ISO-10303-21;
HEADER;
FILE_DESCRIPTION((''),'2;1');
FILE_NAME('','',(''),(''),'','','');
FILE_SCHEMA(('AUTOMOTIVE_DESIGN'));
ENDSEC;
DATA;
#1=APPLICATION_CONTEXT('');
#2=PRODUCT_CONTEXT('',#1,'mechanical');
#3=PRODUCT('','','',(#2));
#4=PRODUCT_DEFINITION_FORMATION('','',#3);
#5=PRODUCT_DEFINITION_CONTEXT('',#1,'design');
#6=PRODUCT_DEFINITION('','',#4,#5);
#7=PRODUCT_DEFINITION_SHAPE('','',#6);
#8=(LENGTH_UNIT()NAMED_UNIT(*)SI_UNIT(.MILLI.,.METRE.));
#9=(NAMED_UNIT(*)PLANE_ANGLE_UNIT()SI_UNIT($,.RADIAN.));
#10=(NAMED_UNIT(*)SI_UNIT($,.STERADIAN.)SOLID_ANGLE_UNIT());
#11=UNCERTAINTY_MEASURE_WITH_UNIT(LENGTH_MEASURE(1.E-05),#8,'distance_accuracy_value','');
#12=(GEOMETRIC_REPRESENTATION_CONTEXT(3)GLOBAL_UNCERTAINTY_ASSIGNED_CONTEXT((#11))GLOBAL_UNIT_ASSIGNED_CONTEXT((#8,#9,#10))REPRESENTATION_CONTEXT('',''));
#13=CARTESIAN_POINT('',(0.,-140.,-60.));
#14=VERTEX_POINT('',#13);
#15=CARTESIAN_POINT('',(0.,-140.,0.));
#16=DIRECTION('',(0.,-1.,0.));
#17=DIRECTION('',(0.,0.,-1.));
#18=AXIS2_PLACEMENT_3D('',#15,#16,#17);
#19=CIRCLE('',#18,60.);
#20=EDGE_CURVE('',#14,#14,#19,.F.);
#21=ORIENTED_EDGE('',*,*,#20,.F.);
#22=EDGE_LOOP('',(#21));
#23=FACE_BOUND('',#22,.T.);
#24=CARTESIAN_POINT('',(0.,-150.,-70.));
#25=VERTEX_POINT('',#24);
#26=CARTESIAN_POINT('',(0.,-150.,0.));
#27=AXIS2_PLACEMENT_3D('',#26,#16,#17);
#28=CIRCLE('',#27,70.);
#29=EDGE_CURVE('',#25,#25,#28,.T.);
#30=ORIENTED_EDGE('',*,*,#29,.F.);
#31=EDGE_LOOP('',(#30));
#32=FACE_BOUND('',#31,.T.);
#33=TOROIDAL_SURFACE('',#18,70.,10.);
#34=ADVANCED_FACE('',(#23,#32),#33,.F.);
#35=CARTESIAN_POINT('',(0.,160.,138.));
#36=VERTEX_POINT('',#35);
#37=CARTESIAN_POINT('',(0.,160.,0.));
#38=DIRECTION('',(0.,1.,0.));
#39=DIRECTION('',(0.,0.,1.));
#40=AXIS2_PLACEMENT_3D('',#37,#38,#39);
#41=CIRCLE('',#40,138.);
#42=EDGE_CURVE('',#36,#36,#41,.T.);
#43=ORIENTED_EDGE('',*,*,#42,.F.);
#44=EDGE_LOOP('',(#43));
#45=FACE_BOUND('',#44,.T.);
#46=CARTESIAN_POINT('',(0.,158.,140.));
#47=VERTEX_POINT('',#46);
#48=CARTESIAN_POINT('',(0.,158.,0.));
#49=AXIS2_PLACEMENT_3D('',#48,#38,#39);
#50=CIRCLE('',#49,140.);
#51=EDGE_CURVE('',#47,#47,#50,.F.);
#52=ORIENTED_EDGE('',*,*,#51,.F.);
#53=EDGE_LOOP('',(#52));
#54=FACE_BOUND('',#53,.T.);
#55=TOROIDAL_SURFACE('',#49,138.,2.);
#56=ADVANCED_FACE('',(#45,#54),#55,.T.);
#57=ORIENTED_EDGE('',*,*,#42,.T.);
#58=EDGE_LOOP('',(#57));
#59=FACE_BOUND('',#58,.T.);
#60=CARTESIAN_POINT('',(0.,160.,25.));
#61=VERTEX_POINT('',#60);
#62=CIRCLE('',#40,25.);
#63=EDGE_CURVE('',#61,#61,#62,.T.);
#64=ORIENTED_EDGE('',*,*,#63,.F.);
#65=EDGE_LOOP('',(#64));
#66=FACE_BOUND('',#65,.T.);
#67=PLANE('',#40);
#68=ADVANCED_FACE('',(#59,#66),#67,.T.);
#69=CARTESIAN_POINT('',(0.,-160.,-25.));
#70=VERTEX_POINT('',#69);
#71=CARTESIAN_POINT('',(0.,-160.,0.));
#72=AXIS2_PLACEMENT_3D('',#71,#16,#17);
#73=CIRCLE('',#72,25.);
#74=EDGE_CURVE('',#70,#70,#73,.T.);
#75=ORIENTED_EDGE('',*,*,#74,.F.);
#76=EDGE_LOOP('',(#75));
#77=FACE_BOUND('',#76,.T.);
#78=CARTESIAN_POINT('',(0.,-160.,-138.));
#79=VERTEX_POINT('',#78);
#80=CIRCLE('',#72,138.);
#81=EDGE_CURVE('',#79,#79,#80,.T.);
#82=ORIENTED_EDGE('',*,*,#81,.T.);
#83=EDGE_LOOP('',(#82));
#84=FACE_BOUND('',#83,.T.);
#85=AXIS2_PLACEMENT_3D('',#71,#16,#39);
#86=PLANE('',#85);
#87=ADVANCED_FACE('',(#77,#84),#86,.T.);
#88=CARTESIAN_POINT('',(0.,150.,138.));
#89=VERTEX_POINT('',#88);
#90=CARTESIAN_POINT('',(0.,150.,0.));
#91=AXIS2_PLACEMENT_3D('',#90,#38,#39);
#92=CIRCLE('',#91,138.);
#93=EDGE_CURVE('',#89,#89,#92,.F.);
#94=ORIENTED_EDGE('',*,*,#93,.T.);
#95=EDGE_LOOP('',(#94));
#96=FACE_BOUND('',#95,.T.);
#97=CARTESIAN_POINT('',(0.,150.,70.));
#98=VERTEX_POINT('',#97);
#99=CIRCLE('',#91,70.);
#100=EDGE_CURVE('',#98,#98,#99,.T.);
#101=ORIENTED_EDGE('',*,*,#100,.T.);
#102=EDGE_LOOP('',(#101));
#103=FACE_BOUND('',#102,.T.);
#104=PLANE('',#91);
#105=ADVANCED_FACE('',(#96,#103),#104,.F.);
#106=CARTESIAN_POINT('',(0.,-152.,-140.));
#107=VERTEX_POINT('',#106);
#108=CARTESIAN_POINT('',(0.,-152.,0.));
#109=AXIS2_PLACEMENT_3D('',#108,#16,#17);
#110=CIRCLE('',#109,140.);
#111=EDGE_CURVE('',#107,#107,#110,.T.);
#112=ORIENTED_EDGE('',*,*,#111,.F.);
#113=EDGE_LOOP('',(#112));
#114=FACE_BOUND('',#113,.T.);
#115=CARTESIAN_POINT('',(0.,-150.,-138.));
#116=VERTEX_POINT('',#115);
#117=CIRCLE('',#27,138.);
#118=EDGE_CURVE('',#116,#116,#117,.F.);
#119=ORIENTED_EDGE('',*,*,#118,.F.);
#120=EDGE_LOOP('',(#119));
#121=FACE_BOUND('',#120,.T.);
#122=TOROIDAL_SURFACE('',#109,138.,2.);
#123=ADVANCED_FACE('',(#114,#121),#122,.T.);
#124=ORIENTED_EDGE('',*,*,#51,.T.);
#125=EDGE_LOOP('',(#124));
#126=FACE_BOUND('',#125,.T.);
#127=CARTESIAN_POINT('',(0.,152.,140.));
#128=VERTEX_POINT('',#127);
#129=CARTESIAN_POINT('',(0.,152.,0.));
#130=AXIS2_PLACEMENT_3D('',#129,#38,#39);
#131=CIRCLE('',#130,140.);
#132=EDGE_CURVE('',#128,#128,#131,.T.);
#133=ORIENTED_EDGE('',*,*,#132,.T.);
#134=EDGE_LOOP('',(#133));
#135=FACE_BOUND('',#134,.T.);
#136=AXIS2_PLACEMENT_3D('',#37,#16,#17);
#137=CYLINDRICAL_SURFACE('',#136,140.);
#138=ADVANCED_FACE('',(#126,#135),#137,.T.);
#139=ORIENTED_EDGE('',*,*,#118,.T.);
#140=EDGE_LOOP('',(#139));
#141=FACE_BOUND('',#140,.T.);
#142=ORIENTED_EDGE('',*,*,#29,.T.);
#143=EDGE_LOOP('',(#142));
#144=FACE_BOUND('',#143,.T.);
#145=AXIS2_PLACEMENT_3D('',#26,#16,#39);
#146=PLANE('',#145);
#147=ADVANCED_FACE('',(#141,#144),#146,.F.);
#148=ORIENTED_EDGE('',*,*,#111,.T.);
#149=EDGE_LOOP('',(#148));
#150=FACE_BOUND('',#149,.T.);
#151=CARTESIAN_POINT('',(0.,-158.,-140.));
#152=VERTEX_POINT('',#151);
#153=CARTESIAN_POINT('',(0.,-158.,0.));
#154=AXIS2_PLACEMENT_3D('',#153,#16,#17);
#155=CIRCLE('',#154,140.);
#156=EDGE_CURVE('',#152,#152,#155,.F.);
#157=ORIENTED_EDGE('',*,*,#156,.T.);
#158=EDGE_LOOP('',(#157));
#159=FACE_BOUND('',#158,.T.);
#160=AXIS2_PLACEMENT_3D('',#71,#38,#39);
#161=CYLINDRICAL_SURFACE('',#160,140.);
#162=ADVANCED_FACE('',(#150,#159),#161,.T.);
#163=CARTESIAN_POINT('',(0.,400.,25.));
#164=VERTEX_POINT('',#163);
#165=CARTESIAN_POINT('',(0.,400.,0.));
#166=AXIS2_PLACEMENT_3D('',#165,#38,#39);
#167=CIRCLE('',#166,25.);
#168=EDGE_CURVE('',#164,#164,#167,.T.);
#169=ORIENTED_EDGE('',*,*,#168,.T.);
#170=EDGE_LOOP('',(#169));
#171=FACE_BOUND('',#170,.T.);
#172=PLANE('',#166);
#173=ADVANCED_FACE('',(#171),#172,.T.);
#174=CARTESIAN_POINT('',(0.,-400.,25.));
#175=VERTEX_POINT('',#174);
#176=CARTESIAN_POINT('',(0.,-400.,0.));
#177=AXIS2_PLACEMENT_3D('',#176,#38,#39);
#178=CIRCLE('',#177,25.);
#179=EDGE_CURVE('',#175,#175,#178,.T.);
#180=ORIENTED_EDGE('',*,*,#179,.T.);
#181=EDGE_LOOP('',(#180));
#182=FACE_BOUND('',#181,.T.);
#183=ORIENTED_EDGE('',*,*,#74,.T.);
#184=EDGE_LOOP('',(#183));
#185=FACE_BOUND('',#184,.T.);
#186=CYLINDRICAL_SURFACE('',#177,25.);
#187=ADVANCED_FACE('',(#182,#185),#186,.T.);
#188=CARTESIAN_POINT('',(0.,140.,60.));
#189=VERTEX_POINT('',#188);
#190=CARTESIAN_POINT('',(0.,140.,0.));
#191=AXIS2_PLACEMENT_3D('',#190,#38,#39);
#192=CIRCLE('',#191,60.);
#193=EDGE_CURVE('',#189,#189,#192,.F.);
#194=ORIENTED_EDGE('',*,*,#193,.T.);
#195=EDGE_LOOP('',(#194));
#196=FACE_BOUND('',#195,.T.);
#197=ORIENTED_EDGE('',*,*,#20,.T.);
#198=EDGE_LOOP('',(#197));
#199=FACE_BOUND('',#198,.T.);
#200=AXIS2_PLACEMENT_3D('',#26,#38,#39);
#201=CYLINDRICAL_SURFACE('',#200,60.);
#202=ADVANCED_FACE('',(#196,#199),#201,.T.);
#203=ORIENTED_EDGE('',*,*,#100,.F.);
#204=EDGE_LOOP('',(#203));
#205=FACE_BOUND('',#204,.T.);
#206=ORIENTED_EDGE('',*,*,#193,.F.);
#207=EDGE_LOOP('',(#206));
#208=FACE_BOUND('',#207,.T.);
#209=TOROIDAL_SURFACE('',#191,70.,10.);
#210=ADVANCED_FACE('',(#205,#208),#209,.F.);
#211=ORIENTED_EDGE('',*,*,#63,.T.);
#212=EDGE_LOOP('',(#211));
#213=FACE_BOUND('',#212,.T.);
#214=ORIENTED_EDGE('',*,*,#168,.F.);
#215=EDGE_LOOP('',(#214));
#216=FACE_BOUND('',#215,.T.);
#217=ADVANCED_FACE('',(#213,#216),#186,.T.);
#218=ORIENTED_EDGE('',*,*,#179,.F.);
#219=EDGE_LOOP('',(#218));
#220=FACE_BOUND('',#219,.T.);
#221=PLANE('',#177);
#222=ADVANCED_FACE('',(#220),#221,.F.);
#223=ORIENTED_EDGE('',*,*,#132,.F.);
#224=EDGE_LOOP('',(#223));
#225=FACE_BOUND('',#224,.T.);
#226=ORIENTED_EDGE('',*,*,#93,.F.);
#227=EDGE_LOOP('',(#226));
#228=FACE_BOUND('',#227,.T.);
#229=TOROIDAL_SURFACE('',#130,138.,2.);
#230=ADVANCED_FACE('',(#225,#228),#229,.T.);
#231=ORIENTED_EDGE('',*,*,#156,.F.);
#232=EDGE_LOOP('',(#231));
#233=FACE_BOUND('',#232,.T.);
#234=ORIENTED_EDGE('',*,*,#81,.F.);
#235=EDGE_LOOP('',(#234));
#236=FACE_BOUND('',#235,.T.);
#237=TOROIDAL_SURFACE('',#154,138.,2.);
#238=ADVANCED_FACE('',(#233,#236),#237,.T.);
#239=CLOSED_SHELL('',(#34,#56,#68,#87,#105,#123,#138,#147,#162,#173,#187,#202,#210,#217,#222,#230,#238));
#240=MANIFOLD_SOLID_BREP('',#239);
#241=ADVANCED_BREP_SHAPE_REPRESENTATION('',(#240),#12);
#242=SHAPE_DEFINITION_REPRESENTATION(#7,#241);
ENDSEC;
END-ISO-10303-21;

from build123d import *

# Parameters (mm, degrees)
BOSS_EXTRUDE1_DEPTH      = 150
BOSS_EXTRUDE1_DEPTH_BACK = 150
SKETCH1_R                = 60
SKETCH2_R                = 140
BOSS_EXTRUDE2_DEPTH      = 10
BOSS_EXTRUDE3_DEPTH      = 400
BOSS_EXTRUDE3_DEPTH_BACK = 400
SKETCH3_R                = 25
FILLET1_R                = 10
FILLET2_R                = 10
FILLET3_R                = 2
FILLET4_R                = 2
FILLET5_R                = 2
FILLET6_R                = 2


with BuildPart() as part:
    # Sketch1 → Boss-Extrude1 (new, two sides: drawn at the far end of the back side and taken through both)
    with BuildSketch(Plane(origin=(0, 0, 0), x_dir=(1, 0, 0), z_dir=(0, 1, 0)).offset(-BOSS_EXTRUDE1_DEPTH_BACK)):
        Circle(SKETCH1_R)
    extrude(amount=BOSS_EXTRUDE1_DEPTH + BOSS_EXTRUDE1_DEPTH_BACK)

    # Sketch2 → Boss-Extrude2 (add)
    with BuildSketch(Plane(origin=(0, 150, 0), x_dir=(1, 0, 0), z_dir=(0, 1, 0))):
        Circle(SKETCH2_R)
    boss_extrude2 = extrude(amount=BOSS_EXTRUDE2_DEPTH)

    # Mirror1: Boss-Extrude2 across plane
    add(boss_extrude2.mirror(Plane.ZX))

    # Sketch3 → Boss-Extrude3 (add, two sides: drawn at the far end of the back side and taken through both)
    with BuildSketch(Plane(origin=(0, 0, 0), x_dir=(1, 0, 0), z_dir=(0, 1, 0)).offset(-BOSS_EXTRUDE3_DEPTH_BACK)):
        Circle(SKETCH3_R)
    extrude(amount=BOSS_EXTRUDE3_DEPTH + BOSS_EXTRUDE3_DEPTH_BACK)

    # Fillet1
    fillet1_edges = [part.edges().sort_by_distance(p)[0] for p in [
        (-60, 150, 0),
    ]]
    fillet(fillet1_edges, radius=FILLET1_R)

    # Fillet2
    fillet2_edges = [part.edges().sort_by_distance(p)[0] for p in [
        (-60, -150, 0),
    ]]
    fillet(fillet2_edges, radius=FILLET2_R)

    # Fillet3
    fillet3_edges = [part.edges().sort_by_distance(p)[0] for p in [
        (-140, 150, 0),
    ]]
    fillet(fillet3_edges, radius=FILLET3_R)

    # Fillet4
    fillet4_edges = [part.edges().sort_by_distance(p)[0] for p in [
        (-140, -150, 0),
    ]]
    fillet(fillet4_edges, radius=FILLET4_R)

    # Fillet5
    fillet5_edges = [part.edges().sort_by_distance(p)[0] for p in [
        (-140, 160, 0),
    ]]
    fillet(fillet5_edges, radius=FILLET5_R)

    # Fillet6
    fillet6_edges = [part.edges().sort_by_distance(p)[0] for p in [
        (-140, -160, 0),
    ]]
    fillet(fillet6_edges, radius=FILLET6_R)


solid = part.part
